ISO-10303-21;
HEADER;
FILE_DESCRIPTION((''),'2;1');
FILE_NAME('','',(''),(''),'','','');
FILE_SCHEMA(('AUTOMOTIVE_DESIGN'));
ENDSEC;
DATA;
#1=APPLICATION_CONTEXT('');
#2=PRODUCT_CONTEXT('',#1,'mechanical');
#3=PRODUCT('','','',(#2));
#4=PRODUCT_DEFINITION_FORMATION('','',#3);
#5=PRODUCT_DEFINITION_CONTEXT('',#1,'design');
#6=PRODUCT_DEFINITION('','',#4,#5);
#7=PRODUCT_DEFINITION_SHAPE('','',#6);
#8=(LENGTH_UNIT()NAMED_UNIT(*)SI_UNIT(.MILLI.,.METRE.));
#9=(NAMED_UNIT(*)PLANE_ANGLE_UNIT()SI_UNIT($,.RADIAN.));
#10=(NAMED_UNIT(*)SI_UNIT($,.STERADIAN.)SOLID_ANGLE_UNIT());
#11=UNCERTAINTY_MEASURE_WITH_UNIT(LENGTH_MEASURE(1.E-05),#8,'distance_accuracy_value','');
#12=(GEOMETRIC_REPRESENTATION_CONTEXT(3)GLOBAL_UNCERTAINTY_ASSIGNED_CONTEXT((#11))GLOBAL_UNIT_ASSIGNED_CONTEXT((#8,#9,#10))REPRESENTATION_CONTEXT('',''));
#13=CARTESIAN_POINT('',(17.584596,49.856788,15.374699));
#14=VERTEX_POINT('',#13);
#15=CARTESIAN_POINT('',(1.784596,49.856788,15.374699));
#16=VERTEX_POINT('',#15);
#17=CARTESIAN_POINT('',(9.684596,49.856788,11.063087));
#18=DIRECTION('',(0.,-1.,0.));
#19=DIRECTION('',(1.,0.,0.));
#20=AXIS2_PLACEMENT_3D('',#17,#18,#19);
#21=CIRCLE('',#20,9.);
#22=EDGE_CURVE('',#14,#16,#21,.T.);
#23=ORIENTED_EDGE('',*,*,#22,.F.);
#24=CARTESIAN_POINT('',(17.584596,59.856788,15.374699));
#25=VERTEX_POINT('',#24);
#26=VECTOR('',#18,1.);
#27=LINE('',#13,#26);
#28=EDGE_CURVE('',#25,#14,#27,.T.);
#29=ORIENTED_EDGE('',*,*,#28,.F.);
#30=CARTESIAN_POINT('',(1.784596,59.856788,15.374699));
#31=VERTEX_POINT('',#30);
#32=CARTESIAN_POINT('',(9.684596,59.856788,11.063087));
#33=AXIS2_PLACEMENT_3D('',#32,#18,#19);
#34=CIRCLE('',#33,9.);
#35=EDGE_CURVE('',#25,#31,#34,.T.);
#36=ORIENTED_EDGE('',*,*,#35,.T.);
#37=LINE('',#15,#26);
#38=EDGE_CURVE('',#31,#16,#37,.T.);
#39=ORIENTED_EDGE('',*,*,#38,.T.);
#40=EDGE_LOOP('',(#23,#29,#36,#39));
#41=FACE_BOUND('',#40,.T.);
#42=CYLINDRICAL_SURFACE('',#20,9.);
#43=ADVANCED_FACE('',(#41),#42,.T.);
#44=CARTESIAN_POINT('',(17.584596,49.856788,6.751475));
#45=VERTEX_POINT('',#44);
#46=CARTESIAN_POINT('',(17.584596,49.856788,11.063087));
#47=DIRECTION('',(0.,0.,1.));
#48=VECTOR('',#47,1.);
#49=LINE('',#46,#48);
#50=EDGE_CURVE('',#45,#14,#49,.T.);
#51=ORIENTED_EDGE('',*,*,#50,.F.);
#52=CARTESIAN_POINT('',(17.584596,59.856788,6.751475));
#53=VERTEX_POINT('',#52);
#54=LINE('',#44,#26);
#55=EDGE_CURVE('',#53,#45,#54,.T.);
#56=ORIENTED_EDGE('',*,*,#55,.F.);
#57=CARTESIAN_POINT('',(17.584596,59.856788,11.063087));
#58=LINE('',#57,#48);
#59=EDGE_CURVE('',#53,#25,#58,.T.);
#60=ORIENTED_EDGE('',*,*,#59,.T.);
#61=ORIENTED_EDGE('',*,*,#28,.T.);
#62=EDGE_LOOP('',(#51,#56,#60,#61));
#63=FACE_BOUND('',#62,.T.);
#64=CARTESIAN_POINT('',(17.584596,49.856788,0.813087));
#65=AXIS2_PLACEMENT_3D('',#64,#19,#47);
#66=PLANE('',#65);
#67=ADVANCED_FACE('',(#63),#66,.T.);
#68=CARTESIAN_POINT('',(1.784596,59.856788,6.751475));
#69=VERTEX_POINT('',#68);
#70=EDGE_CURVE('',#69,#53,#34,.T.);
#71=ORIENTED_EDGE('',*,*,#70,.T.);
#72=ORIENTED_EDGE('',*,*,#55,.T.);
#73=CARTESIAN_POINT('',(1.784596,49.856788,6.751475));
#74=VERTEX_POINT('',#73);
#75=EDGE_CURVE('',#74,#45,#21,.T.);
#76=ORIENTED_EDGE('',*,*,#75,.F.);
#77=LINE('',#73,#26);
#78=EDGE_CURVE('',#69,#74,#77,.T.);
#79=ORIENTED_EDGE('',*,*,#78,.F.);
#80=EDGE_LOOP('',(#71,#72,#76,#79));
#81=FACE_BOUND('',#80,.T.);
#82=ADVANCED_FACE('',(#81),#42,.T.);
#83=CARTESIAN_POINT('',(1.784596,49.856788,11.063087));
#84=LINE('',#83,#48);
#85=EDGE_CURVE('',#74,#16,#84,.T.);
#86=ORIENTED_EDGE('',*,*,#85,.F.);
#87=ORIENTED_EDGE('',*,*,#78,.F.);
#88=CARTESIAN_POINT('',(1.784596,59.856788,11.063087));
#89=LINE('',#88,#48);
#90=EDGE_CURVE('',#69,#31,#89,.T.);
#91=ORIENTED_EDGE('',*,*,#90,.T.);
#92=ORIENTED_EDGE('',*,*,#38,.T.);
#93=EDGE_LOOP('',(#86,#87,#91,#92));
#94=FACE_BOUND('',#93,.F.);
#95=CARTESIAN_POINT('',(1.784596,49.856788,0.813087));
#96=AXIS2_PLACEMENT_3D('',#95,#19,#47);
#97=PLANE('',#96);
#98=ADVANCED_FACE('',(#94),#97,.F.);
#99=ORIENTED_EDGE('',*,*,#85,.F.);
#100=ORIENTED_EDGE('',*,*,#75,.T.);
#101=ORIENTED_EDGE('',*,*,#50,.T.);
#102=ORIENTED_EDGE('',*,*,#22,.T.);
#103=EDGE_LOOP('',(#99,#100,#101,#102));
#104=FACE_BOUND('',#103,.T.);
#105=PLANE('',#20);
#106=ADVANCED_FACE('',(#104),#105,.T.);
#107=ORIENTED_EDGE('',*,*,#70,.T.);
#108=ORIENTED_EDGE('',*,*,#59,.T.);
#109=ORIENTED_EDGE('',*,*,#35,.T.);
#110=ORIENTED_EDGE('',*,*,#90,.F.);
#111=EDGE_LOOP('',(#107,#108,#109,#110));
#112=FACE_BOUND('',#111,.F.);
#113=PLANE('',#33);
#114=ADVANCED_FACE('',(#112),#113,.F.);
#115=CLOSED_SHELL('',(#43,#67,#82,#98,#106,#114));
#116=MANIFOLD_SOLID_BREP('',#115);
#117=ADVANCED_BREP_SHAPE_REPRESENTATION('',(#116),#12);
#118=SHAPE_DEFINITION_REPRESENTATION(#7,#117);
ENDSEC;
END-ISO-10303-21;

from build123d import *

# Parameters (mm, degrees)
CIRCLE003_AS_DRAWN_R                    = 9
EXTRUDE012_DEPTH                        = 10
EXTRUDE012_ONTO_CIRCLE003_ROLL_ANGLE    = 90
RECTANGLE006_AS_DRAWN_W                 = 15.8
RECTANGLE006_AS_DRAWN_H                 = 20.5
EXTRUDE011_DEPTH                        = 10
EXTRUDE011_ONTO_RECTANGLE006_ROLL_ANGLE = 90


with BuildPart() as extrude012:
    # Circle003 as drawn → Extrude012 (new)
    with BuildSketch(Plane.XY):
        Circle(CIRCLE003_AS_DRAWN_R)
    extrude(amount=-EXTRUDE012_DEPTH)


with BuildPart() as extrude012_1:
    # Extrude012 onto Circle003 roll: moved
    add(extrude012.part.rotate(Axis((0, 0, 0), (1, 0, 0)), EXTRUDE012_ONTO_CIRCLE003_ROLL_ANGLE))


with BuildPart() as extrude012_2:
    # Extrude012 onto Circle003 placement: moved
    add(extrude012_1.part.moved(Location((-26.421617, -16.969141, -4.904319))))


with BuildPart() as corpomotor:
    # Rectangle006 as drawn → Extrude011 (new)
    with BuildSketch(Plane.XY):
        with Locations((7.9, 10.25)):
            Rectangle(RECTANGLE006_AS_DRAWN_W, RECTANGLE006_AS_DRAWN_H)
    extrude(amount=-EXTRUDE011_DEPTH)


with BuildPart() as corpomotor_1:
    # Extrude011 onto Rectangle006 roll: moved
    add(corpomotor.part.rotate(Axis((0, 0, 0), (1, 0, 0)), EXTRUDE011_ONTO_RECTANGLE006_ROLL_ANGLE))


with BuildPart() as corpomotor_2:
    # Extrude011 onto Rectangle006 placement: moved
    add(corpomotor_1.part.moved(Location((-34.321617, -16.969141, -15.154319))))

    # Common002: intersect Extrude012
    add(extrude012_2.part, mode=Mode.INTERSECT)


with BuildPart() as corpomotor_3:
    # Common002 placement: moved
    add(corpomotor_2.part.moved(Location((36.106213, 66.825929, 15.967406))))


solid = corpomotor_3.part
